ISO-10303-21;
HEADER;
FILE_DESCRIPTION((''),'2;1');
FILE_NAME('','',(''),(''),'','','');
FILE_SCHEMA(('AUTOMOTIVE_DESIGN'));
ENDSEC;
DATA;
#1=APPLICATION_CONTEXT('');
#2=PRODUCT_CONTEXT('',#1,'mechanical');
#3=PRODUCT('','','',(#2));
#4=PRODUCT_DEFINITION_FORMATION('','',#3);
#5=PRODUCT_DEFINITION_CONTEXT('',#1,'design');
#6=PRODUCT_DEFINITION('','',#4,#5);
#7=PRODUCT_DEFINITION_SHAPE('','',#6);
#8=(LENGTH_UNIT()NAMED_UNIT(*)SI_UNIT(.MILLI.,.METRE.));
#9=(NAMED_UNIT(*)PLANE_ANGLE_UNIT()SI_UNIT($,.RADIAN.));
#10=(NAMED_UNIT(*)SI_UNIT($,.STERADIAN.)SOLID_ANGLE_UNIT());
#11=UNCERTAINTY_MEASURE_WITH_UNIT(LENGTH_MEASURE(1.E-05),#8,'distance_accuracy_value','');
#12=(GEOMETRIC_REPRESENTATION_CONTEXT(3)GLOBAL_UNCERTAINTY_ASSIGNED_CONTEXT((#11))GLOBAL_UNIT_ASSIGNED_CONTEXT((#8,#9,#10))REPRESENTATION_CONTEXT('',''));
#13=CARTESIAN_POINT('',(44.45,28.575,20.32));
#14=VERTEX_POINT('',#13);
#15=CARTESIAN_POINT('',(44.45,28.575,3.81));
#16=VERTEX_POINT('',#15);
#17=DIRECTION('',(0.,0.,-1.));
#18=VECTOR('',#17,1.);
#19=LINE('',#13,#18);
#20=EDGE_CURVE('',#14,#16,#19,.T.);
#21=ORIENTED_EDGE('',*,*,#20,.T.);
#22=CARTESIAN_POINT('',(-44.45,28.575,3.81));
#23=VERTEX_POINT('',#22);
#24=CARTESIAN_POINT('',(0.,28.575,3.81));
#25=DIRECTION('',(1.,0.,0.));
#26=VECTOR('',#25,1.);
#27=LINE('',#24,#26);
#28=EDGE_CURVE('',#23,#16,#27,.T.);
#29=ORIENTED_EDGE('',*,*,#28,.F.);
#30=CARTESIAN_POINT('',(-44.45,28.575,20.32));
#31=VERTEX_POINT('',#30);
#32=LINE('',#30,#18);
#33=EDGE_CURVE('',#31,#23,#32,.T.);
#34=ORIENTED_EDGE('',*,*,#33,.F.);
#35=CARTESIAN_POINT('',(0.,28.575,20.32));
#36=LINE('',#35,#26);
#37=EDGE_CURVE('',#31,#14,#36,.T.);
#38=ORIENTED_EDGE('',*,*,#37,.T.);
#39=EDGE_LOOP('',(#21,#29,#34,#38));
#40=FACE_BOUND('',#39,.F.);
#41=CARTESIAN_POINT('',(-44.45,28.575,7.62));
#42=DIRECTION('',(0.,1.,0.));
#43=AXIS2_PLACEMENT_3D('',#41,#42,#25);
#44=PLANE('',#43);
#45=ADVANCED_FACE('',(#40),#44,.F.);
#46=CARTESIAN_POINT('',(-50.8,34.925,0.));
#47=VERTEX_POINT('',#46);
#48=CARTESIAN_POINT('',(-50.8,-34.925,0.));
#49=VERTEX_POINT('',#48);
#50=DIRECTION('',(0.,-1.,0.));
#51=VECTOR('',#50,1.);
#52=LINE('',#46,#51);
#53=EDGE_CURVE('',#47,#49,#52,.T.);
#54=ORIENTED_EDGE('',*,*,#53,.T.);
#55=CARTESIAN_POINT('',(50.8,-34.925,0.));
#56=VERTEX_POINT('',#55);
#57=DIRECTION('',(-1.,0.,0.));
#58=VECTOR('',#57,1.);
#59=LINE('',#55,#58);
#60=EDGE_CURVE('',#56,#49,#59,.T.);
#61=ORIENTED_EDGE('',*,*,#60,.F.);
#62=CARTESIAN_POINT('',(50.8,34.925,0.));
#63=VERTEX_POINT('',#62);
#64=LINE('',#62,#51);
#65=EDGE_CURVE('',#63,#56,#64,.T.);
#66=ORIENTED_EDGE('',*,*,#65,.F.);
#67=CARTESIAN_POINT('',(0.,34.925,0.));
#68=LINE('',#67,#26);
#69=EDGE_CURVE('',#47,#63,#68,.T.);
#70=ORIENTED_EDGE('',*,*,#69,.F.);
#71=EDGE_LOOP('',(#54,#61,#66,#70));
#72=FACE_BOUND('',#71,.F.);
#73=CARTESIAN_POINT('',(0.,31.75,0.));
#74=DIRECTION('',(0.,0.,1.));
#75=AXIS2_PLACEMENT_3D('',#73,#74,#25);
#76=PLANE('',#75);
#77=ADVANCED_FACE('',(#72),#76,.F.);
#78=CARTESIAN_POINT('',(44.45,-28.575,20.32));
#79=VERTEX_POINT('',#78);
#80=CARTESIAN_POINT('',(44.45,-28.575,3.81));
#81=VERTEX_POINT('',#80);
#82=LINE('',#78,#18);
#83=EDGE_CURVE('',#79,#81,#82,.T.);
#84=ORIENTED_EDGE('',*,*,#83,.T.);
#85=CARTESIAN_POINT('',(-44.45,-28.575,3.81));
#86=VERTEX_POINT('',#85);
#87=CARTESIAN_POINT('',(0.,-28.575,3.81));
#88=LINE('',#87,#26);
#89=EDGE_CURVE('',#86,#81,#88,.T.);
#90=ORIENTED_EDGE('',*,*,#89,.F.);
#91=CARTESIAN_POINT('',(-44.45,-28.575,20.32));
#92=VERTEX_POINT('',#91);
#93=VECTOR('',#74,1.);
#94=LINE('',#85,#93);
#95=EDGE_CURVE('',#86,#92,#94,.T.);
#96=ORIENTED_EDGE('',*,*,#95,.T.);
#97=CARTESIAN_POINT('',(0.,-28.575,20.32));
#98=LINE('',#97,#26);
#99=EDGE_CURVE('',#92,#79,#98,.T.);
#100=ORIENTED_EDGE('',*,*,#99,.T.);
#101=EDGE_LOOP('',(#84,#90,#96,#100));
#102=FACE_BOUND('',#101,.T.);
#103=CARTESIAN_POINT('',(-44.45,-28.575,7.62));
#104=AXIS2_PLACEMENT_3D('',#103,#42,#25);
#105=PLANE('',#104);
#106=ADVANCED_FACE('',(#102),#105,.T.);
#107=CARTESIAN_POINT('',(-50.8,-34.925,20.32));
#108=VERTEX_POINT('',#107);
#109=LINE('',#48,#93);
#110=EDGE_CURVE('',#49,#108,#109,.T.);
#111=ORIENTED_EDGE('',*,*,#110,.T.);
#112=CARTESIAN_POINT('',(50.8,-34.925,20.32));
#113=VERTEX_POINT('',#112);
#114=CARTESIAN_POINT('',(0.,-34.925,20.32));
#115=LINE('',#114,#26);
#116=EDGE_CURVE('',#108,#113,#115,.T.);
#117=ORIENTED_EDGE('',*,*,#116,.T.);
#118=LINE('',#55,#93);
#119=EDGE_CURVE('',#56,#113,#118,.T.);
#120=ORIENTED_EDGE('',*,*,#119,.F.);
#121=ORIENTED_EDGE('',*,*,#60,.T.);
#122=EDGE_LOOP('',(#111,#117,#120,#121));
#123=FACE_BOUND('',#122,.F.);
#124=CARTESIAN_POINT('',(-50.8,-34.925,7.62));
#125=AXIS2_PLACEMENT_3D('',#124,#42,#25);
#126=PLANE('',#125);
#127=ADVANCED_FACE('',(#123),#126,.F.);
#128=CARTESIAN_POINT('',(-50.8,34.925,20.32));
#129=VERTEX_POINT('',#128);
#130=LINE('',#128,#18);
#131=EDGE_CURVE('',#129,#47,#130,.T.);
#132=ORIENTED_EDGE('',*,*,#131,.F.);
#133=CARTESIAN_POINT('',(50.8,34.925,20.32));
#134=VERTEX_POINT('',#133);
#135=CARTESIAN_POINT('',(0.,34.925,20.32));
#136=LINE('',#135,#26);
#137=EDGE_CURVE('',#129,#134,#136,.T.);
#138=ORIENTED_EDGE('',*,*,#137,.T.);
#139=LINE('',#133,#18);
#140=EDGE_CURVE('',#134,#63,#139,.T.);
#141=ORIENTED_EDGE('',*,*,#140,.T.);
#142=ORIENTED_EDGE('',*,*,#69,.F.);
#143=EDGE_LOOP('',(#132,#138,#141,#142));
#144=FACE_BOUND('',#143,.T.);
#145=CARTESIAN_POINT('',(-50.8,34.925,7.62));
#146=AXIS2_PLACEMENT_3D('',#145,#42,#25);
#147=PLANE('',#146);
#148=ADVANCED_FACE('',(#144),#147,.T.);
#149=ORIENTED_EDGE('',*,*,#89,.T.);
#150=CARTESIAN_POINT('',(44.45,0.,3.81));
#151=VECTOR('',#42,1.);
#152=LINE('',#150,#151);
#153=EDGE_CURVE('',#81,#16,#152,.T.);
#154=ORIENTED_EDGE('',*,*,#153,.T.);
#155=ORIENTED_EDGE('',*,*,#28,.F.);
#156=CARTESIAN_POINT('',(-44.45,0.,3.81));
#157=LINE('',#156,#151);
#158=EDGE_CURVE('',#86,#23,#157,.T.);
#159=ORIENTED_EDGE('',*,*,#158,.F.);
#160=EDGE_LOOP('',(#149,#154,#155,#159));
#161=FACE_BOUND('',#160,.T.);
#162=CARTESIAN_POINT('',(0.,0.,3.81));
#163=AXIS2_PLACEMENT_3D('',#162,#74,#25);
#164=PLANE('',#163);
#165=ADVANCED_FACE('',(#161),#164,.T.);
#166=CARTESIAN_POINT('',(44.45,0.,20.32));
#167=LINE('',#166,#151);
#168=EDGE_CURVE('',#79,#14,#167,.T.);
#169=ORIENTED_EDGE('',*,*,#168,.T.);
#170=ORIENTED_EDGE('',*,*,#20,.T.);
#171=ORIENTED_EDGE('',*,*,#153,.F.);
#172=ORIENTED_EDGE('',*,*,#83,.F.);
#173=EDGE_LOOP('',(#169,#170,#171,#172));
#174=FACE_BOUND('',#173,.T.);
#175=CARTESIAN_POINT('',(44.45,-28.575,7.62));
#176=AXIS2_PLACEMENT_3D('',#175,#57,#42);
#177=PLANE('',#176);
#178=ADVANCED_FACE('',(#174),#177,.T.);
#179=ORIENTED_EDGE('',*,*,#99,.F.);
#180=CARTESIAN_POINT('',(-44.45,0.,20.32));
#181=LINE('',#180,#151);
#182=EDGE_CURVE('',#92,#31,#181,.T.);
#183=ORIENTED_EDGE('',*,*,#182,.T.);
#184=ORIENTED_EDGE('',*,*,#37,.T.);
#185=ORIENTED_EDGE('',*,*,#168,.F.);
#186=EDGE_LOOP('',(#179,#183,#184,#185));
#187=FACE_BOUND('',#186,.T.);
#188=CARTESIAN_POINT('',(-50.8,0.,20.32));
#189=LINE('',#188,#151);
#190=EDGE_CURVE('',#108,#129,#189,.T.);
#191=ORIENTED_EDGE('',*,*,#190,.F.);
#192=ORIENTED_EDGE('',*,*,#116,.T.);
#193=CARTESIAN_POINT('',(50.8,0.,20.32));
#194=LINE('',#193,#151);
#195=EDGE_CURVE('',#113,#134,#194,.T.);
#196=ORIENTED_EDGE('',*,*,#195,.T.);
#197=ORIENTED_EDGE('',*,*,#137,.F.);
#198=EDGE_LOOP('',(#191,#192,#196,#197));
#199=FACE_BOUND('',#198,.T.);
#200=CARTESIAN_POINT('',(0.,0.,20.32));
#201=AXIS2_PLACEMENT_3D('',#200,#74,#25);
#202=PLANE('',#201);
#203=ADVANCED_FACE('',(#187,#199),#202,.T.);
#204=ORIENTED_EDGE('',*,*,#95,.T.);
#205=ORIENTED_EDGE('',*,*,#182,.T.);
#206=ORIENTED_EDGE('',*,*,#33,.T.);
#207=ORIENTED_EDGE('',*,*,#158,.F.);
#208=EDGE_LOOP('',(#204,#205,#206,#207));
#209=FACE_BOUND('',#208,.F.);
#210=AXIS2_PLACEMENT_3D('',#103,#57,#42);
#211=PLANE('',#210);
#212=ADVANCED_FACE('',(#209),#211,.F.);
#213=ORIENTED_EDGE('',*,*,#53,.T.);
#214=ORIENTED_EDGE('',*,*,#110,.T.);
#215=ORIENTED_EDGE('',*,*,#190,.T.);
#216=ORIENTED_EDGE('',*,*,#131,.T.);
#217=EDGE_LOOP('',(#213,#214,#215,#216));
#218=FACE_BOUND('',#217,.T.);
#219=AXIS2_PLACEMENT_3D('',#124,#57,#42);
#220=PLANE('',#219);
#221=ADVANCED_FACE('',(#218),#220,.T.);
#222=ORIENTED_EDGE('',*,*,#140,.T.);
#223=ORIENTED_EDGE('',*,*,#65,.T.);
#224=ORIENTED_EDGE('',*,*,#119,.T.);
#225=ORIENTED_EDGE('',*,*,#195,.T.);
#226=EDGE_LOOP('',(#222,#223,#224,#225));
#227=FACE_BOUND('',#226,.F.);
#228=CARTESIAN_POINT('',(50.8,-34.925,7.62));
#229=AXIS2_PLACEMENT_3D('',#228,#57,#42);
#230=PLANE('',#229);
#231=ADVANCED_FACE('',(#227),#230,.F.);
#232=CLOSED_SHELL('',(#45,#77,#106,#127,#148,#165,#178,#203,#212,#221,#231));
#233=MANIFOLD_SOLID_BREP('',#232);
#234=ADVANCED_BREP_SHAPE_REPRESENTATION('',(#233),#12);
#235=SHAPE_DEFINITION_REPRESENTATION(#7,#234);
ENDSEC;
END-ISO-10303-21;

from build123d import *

# Parameters (mm, degrees)
F0_W        = 88.9
F0_H        = 57.15
F1_DEPTH    = 3.81
F2_W        = 6.35
F2_H        = 57.15
F3_DEPTH    = 7.62
F4_W        = 95.25
F4_H        = 6.35
F5_DEPTH    = 7.62
F6_W        = 6.35
F6_H        = 63.5
F7_DEPTH    = 7.62
F8_W        = 101.6
F8_H        = 6.35
F9_DEPTH    = 7.62
F9_FACE_W   = 101.6
F9_FACE_H   = 69.85
F9_FACE_W_2 = 88.9
F9_FACE_H_2 = 57.15
F10_DEPTH   = 12.7


with BuildPart() as f1:
    # F0 (on Top) → F1 (new body)
    with BuildSketch(Plane.XY):
        Rectangle(F0_W, F0_H)
    extrude(amount=F1_DEPTH)

    # F2 (on Top) → F3 (join)
    with BuildSketch(Plane.XY):
        with Locations((-47.625, 0)):
            Rectangle(F2_W, F2_H)
    extrude(amount=F3_DEPTH)

    # F4 (on Top) → F5 (join)
    with BuildSketch(Plane.XY):
        with Locations((-3.175, -31.75)):
            Rectangle(F4_W, F4_H)
    extrude(amount=F5_DEPTH)

    # F6 (on Top) → F7 (join)
    with BuildSketch(Plane.XY):
        with Locations((47.625, -3.175)):
            Rectangle(F6_W, F6_H)
    extrude(amount=F7_DEPTH)

    # F8 (on Top) → F9 (join)
    with BuildSketch(Plane.XY):
        with Locations((0, 31.75)):
            Rectangle(F8_W, F8_H)
    extrude(amount=F9_DEPTH)

    # F9_face (on face) → F10 (join)
    with BuildSketch(Plane.XY.offset(7.62)):
        Rectangle(F9_FACE_W, F9_FACE_H)
        Rectangle(F9_FACE_W_2, F9_FACE_H_2, mode=Mode.SUBTRACT)
    extrude(amount=F10_DEPTH)


solid = f1.part
